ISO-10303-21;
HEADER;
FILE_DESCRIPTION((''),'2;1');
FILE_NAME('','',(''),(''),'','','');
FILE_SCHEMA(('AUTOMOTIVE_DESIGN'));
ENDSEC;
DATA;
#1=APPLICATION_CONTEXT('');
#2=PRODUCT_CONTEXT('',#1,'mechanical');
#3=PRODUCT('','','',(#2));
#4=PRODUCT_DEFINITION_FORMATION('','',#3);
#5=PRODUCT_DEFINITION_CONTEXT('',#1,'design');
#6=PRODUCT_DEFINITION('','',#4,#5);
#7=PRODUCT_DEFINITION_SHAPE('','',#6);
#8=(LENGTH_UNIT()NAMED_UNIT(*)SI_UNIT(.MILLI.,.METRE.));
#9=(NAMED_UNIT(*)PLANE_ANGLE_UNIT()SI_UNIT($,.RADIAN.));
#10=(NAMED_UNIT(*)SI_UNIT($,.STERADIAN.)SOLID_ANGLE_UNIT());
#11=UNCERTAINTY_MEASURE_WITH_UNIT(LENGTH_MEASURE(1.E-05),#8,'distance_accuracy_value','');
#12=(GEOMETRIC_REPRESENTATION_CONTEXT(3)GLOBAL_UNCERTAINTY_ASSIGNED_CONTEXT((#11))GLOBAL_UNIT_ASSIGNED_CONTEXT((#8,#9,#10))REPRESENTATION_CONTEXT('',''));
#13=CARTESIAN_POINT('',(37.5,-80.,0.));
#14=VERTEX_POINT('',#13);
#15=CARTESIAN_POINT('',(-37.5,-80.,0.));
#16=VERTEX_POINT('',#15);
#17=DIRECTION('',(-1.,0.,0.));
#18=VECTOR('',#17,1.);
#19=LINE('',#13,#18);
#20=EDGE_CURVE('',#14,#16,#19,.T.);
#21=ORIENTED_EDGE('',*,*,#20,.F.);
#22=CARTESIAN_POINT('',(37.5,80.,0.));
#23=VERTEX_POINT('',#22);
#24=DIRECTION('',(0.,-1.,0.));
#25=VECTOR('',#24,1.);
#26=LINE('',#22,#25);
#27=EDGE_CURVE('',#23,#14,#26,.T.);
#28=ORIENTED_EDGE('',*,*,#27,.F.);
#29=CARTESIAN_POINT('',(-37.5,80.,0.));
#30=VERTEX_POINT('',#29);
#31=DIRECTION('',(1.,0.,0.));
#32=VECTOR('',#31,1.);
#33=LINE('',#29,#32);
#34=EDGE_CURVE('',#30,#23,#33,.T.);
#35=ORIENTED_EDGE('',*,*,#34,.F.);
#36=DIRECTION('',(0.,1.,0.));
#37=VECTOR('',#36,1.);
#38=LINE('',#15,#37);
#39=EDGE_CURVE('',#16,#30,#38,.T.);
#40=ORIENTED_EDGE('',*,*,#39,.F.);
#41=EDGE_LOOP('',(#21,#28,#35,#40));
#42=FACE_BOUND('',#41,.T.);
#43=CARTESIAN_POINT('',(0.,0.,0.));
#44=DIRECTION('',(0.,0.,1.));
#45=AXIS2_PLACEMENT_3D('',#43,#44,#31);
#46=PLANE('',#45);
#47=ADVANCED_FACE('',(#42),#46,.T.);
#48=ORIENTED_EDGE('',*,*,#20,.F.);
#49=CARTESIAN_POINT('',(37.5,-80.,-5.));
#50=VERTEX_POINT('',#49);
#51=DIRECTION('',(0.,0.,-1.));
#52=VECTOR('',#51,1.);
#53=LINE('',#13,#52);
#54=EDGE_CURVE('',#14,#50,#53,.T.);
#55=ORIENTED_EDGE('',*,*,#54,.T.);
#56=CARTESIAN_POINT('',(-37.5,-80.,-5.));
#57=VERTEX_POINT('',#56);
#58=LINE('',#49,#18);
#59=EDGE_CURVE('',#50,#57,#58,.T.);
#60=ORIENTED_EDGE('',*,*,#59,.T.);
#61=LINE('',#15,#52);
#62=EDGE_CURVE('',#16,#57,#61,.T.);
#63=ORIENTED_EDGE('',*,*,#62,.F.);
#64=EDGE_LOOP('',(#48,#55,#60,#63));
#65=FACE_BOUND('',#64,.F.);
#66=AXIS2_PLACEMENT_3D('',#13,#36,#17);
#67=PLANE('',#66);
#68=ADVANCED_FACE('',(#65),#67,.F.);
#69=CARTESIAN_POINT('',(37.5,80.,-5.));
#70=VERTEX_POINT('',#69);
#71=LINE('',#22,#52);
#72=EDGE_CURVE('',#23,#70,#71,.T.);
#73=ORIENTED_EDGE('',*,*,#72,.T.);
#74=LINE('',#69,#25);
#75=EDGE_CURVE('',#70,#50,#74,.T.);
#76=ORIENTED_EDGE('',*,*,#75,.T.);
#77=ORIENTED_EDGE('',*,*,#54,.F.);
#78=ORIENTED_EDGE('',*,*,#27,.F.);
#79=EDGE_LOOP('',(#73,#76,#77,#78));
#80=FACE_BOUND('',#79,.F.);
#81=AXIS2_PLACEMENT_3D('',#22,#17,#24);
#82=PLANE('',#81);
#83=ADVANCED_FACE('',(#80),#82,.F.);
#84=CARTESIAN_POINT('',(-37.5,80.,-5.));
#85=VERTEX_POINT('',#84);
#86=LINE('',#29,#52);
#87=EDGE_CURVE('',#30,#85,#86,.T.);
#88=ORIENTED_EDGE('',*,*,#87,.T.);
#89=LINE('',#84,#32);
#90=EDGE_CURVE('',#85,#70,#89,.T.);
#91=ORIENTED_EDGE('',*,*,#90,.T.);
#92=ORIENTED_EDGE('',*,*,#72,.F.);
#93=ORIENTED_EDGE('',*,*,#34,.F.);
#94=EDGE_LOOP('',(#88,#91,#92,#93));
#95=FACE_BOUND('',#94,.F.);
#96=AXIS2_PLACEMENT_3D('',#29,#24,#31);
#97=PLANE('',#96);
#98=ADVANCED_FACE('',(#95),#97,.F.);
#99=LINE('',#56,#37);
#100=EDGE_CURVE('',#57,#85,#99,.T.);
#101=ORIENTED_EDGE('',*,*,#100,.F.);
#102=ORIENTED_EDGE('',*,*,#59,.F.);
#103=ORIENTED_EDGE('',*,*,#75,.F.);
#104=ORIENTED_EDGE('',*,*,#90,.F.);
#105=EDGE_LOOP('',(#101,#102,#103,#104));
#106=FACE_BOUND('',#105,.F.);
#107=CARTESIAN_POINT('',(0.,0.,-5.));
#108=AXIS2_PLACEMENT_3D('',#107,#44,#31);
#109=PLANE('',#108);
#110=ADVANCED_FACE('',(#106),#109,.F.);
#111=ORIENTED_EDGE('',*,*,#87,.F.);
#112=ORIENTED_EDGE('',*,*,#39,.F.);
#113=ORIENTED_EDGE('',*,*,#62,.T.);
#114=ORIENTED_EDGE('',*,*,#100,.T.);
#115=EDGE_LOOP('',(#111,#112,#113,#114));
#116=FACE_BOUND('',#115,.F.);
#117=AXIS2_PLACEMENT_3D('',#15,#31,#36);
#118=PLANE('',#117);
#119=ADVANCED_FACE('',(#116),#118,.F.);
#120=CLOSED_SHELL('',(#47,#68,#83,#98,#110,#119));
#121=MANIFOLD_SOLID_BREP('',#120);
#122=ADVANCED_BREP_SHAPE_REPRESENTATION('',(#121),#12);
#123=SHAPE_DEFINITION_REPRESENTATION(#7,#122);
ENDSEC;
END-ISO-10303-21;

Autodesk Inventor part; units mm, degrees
ref_plane "YZ Plane" through (0, 0, 0) normal (1, 0, 0) x (0, 1, 0)
ref_plane "XZ Plane" through (0, 0, 0) normal (0, 1, 0) x (-1, 0, 0)
ref_plane "XY Plane" through (0, 0, 0) normal (0, 0, 1) x (1, 0, 0)
sketch "Boceto1" plane through (0, 0, 0) normal (0, 0, 1) x (1, 0, 0)
  line L0 (37.5, -80) -> (-37.5, -80)
  line L1 (-37.5, -80) -> (-37.5, 80)
  line L2 (-37.5, 80) -> (37.5, 80)
  line L3 (37.5, 80) -> (37.5, -80)
  line L4 (37.5, -80) -> (-37.5, 80) construction
  line L5 (-37.5, -80) -> (37.5, 80) construction
  point P0 (0, 0)
  dimension "d0" = 160
  dimension "d1" = 75
extrude "Extrusión1" add sketch "Boceto1" against normal blind 5
equation "\"d0\" = 160 * scale"
equation "\"d1\" = 75 * scale"
equation "\"d2\" = 5 * scale"
equation "\"scale\" = 1"
properties part number "Placa"
